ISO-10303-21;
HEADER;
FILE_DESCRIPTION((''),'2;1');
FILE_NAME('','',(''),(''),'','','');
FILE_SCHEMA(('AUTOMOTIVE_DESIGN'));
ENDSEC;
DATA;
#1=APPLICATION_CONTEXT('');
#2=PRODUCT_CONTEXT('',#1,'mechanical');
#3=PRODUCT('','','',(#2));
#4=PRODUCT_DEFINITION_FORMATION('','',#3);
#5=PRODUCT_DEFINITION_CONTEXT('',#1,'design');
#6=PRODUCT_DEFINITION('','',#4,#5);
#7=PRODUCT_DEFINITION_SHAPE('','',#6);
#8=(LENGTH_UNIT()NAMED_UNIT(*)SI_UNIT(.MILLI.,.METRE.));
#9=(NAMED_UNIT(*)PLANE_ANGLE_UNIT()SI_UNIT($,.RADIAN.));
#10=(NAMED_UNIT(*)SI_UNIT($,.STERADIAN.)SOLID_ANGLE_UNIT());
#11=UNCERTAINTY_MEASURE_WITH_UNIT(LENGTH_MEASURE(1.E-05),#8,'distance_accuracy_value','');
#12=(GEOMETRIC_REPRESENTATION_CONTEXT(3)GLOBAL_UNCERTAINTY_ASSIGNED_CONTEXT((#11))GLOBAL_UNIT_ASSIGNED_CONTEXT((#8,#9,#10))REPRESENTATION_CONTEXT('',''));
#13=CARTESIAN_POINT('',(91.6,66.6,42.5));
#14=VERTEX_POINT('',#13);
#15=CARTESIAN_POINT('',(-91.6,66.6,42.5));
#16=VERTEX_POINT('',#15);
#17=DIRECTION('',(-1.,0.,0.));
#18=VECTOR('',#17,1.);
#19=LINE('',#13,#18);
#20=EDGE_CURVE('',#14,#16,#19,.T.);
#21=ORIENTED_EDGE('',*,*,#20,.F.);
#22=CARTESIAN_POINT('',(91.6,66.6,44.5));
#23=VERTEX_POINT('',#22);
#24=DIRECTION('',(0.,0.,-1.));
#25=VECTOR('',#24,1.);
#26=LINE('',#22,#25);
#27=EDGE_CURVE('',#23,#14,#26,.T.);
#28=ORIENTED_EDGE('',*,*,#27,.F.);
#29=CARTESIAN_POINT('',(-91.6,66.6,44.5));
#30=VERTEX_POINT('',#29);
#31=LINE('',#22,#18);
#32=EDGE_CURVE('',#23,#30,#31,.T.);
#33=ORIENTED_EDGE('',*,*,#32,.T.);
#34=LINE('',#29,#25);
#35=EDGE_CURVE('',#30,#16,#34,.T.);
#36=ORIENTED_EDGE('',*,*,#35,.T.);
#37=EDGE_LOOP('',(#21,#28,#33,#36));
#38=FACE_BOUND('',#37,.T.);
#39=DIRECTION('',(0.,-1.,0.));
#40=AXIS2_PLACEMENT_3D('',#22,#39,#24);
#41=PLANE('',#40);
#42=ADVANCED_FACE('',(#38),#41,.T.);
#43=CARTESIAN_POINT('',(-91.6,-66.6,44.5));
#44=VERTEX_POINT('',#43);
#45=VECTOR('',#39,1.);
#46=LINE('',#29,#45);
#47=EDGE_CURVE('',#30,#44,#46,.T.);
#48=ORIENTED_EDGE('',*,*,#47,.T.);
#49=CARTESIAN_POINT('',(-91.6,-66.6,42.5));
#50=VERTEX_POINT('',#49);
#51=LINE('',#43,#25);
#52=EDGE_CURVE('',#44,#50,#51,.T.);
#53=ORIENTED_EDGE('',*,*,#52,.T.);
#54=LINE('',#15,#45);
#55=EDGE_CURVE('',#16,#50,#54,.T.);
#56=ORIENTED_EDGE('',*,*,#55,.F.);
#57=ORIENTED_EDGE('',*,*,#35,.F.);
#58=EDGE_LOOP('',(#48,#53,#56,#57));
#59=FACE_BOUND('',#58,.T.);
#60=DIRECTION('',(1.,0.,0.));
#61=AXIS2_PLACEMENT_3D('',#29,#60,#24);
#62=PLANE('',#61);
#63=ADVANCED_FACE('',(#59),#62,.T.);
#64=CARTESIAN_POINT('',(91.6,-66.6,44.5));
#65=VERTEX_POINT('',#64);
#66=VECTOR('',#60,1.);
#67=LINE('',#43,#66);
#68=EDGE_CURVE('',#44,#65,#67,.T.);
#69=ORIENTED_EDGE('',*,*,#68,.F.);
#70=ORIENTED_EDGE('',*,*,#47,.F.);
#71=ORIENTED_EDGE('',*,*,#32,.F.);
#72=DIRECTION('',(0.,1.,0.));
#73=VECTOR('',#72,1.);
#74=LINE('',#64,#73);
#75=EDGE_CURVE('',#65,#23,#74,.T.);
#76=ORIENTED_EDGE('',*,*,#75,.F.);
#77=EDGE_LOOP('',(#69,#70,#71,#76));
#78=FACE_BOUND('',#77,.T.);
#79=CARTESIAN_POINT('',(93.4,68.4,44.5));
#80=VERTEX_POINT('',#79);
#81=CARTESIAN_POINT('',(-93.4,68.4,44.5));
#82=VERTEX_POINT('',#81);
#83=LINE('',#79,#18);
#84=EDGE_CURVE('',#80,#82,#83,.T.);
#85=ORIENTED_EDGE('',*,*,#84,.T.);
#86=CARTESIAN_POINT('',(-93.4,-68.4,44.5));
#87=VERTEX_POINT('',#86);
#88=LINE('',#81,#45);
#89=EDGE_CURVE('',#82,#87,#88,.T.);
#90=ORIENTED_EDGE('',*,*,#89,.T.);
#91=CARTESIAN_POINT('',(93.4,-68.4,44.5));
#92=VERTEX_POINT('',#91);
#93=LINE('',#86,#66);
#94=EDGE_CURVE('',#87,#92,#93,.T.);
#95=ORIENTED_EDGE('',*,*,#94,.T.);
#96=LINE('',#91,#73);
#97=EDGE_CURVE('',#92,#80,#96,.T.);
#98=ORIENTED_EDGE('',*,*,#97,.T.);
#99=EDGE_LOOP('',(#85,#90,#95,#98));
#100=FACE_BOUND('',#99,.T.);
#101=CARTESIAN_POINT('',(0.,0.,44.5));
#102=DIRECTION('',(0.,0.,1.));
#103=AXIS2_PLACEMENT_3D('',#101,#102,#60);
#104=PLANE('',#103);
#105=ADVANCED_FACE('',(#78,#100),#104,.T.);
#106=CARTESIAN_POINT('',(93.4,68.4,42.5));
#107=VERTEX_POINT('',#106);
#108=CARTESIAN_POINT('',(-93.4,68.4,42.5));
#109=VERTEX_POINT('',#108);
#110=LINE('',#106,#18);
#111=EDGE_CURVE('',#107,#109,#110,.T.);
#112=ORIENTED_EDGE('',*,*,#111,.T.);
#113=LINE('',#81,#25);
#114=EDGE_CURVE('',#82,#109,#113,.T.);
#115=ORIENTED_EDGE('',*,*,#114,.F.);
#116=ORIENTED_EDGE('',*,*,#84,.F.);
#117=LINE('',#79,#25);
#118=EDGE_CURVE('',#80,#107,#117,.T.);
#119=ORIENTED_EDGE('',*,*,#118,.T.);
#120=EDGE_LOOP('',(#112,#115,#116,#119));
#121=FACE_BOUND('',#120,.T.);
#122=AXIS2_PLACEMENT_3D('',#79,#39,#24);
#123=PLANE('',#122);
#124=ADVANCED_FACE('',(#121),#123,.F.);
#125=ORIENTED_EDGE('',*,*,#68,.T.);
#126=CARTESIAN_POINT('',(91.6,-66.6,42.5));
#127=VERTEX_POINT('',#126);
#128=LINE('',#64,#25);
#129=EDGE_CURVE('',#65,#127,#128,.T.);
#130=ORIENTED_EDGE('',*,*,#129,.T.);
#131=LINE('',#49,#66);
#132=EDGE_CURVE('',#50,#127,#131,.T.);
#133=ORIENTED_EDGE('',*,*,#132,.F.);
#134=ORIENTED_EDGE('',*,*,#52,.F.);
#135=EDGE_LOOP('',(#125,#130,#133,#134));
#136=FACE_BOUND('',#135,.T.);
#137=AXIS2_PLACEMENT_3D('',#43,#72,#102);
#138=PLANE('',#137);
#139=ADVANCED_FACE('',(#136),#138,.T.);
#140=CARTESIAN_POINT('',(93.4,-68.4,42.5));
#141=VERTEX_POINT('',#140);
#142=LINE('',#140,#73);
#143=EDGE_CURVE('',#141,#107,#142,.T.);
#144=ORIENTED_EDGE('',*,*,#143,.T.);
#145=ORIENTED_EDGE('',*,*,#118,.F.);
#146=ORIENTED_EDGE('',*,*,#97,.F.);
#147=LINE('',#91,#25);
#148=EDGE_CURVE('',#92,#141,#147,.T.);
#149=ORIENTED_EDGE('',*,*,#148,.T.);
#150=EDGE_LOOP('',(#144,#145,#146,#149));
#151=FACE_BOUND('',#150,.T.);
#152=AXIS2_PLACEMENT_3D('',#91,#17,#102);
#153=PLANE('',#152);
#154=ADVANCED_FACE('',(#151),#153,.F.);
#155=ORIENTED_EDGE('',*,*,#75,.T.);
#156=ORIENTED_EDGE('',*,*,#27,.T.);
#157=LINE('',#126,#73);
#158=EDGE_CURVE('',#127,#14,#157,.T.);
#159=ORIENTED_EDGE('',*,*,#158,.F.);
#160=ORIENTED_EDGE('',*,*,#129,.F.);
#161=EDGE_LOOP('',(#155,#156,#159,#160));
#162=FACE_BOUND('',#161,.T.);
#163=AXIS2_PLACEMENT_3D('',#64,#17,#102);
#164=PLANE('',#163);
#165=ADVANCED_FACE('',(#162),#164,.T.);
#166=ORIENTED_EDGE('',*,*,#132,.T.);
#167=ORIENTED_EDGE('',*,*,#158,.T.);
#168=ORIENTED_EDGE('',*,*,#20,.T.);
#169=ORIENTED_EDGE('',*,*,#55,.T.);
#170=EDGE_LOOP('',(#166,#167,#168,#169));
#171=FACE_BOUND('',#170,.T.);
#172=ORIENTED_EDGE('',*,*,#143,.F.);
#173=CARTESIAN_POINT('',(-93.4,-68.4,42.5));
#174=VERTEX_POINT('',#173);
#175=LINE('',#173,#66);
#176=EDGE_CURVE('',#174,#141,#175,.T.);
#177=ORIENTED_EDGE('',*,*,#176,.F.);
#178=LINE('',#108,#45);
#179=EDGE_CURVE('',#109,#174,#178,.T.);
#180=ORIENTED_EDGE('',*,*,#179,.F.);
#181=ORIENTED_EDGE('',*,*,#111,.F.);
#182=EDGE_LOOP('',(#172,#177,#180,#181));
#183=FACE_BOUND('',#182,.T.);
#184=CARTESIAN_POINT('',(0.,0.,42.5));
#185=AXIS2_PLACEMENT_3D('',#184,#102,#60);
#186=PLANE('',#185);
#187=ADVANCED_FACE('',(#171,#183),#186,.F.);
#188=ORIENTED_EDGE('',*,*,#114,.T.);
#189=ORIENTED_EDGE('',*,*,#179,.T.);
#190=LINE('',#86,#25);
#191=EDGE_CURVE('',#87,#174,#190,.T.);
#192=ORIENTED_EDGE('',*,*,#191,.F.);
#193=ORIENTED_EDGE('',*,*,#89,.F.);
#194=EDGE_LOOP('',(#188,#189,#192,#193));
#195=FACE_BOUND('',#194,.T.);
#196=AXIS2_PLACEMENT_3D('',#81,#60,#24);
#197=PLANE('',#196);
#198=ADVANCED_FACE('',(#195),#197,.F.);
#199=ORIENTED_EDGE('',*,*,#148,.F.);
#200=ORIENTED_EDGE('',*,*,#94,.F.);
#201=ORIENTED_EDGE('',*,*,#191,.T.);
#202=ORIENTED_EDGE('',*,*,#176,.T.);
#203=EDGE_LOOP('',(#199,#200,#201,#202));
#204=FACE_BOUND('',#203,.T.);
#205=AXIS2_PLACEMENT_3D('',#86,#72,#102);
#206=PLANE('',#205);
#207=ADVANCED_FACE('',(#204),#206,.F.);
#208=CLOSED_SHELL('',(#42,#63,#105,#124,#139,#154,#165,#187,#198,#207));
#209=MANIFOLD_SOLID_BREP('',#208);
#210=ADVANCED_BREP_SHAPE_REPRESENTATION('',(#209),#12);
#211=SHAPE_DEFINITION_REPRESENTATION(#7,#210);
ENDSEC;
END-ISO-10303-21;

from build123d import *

# Parameters (mm, degrees)
GASKET_START = 42.5
SKETCH1_W    = 186.8
SKETCH1_H    = 136.8
SKETCH1_W_2  = 183.2
SKETCH1_H_2  = 133.2
GASKET_DEPTH = 2


with BuildPart() as part:
    # Sketch1 → Gasket (new body)
    with BuildSketch(Plane.XY.offset(GASKET_START)):
        Rectangle(SKETCH1_W, SKETCH1_H)
        Rectangle(SKETCH1_W_2, SKETCH1_H_2, mode=Mode.SUBTRACT)
    extrude(amount=GASKET_DEPTH)


solid = part.part
